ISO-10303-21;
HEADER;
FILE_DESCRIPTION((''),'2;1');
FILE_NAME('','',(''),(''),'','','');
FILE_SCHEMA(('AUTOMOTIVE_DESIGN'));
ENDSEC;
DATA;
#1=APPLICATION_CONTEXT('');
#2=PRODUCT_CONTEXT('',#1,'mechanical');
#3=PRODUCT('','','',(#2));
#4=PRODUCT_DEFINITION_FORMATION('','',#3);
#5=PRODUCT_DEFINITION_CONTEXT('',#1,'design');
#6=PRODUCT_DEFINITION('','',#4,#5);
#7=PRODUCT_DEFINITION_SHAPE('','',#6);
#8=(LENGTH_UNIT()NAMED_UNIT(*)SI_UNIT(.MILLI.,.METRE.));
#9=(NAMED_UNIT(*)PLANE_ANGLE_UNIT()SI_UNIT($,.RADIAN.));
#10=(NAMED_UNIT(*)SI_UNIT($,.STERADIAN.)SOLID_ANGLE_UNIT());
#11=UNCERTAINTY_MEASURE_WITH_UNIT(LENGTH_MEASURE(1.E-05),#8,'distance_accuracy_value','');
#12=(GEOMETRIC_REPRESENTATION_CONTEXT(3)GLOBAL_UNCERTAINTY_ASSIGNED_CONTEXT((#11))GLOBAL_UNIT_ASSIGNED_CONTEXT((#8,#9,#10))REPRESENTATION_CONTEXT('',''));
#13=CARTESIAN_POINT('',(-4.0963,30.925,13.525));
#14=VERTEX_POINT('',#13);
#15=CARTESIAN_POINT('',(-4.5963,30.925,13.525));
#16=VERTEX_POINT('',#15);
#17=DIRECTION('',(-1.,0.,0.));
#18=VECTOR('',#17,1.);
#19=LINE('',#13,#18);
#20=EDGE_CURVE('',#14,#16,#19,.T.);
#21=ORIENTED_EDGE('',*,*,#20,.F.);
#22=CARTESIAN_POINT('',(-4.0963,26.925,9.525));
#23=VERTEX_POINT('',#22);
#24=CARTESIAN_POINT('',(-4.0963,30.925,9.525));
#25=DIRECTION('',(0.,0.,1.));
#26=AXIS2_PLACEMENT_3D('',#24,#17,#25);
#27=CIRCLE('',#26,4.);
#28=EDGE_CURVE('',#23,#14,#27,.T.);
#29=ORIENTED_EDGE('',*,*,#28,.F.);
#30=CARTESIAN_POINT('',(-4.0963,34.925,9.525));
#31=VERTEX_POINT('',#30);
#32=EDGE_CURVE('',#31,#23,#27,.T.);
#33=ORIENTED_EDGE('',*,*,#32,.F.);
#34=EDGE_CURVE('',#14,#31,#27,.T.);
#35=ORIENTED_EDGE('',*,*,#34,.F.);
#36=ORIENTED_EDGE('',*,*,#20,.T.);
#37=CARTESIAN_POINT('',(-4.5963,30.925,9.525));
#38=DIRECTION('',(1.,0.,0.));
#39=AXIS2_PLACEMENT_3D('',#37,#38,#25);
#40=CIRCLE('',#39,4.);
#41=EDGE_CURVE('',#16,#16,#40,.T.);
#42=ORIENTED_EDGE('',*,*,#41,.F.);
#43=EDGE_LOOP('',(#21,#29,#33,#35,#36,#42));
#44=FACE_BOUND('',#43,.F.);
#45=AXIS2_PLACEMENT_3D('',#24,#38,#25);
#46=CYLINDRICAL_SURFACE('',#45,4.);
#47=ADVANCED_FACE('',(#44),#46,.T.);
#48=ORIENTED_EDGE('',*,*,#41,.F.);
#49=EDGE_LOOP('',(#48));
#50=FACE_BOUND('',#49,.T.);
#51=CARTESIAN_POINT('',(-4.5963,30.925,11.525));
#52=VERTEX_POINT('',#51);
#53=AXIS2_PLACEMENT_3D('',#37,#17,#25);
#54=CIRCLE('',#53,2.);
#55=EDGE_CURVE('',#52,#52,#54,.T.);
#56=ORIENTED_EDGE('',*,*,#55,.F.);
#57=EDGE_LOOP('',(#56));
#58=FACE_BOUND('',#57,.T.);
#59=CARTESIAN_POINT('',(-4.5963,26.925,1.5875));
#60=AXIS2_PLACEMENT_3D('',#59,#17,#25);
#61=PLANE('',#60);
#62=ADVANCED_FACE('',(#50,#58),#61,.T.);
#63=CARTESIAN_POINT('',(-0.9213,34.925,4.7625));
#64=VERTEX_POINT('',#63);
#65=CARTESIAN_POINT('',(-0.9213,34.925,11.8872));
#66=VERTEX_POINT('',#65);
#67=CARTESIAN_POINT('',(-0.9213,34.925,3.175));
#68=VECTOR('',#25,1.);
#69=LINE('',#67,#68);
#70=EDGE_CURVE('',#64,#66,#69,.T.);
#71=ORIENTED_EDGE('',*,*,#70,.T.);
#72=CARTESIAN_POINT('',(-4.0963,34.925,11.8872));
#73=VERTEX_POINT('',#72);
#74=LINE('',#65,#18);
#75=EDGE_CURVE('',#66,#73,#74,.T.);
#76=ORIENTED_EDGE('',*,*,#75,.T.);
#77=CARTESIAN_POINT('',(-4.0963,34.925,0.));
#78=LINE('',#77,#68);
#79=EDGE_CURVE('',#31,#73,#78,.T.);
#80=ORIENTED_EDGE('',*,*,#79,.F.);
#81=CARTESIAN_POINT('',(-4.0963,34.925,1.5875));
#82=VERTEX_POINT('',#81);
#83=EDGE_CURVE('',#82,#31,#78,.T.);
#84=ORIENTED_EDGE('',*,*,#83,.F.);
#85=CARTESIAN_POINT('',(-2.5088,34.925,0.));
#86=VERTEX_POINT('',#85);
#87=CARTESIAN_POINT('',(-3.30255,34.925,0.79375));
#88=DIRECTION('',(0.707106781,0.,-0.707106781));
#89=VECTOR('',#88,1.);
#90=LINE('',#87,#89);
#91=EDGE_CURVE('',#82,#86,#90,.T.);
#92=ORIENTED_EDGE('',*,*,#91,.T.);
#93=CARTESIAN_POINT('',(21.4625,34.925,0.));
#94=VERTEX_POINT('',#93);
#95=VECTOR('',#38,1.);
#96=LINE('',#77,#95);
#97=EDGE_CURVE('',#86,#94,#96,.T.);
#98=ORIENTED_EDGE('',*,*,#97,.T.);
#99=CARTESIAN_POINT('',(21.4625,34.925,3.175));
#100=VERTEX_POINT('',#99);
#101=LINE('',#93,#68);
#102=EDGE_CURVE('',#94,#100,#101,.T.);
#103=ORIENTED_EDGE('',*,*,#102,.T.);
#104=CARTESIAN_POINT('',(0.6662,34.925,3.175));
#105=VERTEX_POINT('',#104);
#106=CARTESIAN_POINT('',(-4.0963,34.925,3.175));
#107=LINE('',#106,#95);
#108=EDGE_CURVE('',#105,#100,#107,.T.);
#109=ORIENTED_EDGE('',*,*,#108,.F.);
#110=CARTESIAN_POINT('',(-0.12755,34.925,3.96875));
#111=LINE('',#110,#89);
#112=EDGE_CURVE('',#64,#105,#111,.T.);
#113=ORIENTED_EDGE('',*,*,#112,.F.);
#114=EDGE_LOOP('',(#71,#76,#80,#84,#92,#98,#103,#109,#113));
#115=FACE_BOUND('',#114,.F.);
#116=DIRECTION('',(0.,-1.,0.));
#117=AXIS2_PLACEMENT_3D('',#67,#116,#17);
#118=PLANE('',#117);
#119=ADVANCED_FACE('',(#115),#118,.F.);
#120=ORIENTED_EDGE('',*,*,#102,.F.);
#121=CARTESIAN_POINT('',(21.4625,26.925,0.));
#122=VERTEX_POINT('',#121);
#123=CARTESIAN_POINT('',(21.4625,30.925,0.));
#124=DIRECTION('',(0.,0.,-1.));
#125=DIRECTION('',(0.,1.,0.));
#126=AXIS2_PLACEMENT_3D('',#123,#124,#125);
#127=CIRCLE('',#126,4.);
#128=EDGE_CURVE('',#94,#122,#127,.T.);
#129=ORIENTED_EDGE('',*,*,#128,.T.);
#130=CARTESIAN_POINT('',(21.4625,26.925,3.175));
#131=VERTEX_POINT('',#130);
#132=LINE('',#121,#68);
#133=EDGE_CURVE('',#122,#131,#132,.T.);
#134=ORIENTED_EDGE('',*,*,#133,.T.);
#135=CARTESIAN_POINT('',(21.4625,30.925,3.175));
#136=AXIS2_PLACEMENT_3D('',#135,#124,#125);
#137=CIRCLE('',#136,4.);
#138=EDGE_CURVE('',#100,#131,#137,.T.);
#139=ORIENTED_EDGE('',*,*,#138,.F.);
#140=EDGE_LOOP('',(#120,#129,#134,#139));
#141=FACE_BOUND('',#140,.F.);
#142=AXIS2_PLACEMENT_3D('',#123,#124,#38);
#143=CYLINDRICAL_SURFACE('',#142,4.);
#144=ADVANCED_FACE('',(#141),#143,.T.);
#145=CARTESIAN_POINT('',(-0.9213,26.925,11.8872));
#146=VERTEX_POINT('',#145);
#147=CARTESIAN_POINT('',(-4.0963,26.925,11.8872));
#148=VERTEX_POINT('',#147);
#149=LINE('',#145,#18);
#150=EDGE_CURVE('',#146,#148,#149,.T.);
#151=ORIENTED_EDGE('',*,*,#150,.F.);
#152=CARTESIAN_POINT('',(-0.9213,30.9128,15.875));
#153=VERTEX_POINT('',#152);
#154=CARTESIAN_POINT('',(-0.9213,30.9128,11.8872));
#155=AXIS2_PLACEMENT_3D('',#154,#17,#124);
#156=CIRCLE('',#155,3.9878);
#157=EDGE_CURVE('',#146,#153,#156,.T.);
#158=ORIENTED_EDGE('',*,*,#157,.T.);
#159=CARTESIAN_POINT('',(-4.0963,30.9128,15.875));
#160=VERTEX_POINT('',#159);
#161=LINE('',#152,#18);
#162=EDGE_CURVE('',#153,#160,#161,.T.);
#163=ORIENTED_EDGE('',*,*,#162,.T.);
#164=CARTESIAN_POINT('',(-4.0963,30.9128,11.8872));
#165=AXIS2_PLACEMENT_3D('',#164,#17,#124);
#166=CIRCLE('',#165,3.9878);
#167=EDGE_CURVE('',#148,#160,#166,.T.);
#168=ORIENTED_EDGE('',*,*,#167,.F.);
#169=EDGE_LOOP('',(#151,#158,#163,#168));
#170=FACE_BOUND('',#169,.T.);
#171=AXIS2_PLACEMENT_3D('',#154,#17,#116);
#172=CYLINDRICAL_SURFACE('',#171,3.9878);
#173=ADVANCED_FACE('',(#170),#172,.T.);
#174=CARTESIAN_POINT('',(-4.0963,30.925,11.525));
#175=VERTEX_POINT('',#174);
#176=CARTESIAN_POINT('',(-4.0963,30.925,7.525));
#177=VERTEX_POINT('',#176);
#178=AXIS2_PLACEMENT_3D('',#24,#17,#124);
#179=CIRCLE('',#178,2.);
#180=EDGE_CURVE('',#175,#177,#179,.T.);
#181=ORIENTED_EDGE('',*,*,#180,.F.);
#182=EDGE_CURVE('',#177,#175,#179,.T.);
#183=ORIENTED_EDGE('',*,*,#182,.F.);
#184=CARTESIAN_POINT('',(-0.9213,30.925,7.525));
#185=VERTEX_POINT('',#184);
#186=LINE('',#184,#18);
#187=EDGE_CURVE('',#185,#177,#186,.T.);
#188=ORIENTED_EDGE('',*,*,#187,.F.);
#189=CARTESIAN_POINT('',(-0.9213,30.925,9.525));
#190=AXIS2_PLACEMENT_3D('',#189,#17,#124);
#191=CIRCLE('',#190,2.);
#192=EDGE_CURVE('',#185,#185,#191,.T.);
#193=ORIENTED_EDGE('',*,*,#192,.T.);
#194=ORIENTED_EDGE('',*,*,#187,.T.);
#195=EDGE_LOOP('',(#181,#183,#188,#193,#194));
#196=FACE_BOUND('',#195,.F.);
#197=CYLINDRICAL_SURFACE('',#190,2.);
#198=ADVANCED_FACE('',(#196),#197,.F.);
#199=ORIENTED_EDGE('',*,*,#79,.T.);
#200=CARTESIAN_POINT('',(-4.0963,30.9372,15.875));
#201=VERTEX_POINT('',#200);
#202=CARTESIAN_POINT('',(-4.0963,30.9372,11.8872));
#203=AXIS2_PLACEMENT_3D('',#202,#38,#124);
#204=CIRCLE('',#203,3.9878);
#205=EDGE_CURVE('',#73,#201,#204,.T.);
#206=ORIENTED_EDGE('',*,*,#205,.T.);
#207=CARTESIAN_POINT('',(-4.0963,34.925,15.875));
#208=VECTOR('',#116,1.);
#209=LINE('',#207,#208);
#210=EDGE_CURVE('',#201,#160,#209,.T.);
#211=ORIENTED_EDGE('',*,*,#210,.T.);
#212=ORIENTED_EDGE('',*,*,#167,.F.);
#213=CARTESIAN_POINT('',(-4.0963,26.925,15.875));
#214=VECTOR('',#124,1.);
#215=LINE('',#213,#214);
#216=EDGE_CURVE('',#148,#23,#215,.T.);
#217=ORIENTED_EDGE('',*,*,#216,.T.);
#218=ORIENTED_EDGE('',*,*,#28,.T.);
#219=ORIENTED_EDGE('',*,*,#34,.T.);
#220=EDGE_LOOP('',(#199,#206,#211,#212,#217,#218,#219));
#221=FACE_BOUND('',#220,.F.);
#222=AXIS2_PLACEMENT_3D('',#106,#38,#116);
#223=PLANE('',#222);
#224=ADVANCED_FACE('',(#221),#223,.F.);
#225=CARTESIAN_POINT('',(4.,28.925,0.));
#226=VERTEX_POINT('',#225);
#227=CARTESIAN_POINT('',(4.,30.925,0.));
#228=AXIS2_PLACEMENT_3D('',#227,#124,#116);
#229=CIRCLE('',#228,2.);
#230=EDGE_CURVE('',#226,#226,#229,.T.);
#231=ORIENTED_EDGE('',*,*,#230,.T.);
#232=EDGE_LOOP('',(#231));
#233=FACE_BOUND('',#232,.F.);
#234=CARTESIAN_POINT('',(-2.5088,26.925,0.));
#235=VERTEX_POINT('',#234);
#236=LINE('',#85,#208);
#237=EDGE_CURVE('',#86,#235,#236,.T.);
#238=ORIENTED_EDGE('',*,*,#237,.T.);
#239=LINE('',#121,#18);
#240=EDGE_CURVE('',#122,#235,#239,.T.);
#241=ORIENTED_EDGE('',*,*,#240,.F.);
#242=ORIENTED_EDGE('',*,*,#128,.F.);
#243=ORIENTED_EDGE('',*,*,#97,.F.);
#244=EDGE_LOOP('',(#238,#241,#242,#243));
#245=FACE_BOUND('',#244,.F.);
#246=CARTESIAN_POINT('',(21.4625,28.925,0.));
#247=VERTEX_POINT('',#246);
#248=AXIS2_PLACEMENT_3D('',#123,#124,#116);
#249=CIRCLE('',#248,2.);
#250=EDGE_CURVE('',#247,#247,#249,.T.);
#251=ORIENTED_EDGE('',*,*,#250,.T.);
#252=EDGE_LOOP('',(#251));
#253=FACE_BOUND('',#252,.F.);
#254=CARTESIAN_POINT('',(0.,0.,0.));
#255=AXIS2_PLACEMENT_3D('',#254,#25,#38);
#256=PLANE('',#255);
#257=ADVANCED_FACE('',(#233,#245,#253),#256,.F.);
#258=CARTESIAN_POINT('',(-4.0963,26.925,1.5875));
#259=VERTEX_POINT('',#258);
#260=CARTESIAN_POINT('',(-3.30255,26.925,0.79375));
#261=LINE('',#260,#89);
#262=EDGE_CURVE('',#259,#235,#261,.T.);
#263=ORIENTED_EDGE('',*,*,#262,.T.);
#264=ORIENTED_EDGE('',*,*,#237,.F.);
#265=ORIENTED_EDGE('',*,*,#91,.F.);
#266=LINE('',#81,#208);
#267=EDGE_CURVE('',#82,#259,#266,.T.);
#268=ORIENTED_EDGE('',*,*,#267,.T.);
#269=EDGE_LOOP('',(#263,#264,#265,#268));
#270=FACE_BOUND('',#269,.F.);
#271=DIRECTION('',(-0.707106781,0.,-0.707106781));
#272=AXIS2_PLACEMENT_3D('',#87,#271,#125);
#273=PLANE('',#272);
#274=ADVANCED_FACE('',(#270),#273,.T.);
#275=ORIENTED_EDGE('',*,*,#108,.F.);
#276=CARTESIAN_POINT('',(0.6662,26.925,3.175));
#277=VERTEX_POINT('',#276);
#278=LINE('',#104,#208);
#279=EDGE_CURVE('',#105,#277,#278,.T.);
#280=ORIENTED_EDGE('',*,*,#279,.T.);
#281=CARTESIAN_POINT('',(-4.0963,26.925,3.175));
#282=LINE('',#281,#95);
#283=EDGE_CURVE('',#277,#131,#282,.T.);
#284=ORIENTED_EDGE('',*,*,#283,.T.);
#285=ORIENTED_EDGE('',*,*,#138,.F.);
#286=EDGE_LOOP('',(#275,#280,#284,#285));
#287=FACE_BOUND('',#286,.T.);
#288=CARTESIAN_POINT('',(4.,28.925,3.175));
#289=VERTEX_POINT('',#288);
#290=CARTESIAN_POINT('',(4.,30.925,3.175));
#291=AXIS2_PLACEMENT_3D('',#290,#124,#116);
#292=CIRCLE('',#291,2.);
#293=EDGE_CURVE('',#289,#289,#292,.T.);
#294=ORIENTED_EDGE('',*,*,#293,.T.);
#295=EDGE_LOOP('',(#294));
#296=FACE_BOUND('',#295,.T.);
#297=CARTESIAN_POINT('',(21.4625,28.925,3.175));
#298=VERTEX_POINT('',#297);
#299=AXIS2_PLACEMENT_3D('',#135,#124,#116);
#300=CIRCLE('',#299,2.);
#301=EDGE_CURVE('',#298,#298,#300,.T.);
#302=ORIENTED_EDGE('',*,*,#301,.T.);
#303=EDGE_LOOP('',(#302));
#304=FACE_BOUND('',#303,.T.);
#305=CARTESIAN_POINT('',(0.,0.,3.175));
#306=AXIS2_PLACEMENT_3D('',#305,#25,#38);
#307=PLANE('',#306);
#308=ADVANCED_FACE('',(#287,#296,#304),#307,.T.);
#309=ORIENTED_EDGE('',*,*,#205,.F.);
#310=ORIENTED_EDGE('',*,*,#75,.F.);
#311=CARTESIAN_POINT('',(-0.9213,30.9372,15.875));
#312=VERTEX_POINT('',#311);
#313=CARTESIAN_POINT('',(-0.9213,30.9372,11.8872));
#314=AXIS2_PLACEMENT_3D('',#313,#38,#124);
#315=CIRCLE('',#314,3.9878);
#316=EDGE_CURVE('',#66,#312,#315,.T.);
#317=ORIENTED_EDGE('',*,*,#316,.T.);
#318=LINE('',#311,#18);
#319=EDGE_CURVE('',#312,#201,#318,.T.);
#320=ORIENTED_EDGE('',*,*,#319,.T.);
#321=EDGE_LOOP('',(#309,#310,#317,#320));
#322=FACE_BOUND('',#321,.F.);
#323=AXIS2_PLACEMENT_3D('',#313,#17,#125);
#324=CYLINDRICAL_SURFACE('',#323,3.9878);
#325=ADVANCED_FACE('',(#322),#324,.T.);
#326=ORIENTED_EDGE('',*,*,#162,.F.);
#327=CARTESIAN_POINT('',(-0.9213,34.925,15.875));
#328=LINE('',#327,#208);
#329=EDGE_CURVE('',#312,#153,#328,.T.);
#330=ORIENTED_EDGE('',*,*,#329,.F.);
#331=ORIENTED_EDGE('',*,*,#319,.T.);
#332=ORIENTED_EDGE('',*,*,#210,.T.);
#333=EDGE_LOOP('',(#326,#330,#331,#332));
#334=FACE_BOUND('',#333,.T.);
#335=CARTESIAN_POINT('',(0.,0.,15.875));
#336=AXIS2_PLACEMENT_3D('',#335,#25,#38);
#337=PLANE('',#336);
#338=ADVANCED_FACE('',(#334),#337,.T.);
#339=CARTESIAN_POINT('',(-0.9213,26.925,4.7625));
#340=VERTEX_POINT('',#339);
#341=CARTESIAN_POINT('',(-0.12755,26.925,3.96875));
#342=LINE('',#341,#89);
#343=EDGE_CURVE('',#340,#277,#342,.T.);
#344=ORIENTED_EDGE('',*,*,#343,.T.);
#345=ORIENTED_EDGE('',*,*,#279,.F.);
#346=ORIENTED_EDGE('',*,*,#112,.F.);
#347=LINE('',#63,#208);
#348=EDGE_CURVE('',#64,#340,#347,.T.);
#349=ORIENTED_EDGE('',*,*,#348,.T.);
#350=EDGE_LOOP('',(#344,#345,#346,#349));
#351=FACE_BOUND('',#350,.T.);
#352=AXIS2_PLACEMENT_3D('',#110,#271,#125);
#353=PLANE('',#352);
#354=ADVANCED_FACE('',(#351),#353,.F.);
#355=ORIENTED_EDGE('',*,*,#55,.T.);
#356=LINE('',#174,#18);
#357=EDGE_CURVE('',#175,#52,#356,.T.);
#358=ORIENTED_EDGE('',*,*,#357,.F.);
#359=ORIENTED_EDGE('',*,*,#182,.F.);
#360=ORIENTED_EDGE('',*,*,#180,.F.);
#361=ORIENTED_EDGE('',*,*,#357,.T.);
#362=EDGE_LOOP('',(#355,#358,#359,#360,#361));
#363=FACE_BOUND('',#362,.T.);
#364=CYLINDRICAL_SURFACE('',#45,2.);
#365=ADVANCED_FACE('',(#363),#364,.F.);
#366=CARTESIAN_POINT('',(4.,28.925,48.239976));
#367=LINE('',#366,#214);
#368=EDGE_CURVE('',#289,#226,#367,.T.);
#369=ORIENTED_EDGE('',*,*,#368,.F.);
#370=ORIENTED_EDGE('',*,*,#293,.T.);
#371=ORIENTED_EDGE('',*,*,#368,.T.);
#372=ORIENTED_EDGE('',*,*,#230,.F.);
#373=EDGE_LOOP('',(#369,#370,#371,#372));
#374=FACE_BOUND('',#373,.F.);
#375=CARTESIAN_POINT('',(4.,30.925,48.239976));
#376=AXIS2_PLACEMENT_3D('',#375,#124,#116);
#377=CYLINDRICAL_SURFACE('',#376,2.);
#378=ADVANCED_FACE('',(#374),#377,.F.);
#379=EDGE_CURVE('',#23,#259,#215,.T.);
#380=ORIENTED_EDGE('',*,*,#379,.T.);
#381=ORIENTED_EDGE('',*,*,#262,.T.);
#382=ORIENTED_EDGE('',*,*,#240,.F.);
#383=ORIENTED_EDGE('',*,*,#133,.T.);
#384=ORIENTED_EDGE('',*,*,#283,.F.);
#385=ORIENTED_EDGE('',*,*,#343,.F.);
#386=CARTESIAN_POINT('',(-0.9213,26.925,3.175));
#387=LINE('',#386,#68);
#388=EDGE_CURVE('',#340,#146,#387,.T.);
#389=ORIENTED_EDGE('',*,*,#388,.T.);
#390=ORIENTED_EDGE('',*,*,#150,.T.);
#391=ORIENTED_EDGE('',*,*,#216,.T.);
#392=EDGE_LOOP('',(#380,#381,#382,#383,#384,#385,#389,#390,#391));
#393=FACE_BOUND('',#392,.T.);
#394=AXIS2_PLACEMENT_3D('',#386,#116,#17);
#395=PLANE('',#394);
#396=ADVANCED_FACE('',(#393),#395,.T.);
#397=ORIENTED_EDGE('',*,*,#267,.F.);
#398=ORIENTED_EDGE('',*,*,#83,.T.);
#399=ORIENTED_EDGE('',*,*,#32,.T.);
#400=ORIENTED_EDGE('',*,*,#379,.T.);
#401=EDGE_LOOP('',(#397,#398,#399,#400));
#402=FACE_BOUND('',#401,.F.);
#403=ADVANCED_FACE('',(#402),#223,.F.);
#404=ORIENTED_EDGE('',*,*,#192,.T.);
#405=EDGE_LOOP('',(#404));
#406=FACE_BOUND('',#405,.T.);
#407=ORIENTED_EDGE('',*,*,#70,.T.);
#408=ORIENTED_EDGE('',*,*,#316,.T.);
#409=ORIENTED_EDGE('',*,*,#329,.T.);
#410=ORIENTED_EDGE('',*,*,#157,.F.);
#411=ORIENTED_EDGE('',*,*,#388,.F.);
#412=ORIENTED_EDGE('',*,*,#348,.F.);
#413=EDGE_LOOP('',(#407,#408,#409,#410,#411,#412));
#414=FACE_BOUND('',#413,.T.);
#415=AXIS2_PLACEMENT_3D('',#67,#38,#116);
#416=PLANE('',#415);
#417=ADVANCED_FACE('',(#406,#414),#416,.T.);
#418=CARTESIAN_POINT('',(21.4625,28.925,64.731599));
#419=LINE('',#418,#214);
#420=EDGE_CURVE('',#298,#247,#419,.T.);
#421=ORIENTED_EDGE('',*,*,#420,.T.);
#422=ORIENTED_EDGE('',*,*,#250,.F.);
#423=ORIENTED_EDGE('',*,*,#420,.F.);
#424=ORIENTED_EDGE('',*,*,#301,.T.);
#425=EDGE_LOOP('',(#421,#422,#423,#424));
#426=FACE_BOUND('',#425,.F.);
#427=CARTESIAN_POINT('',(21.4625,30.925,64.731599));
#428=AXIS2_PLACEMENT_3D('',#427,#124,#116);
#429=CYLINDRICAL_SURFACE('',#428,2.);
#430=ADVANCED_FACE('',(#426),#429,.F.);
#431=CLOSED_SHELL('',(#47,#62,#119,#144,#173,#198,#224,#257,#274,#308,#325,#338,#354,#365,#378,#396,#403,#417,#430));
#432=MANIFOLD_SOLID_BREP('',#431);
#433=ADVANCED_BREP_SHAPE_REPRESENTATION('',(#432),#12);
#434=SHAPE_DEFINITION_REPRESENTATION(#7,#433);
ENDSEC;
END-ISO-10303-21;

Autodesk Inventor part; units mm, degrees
ref_plane "YZ Plane" through (0, 0, 0) normal (1, 0, 0) x (0, 1, 0)
ref_plane "XZ Plane" through (0, 0, 0) normal (0, 1, 0) x (-1, 0, 0)
ref_plane "XY Plane" through (0, 0, 0) normal (0, 0, 1) x (1, 0, 0)
ref_plane "Work Plane1" through (0, 0, 0) normal (0, 0, 1) x (1, 0, 0)
sketch "Sketch1" plane through (0, 0, 0) normal (0, 0, 1) x (1, 0, 0)
  circle A0 centre (21.4625, 30.925) radius 2 projected
  line L0 (0, 34.925) -> (25.4, 34.925) projected
  line L1 (0, 0) -> (0, 34.925) projected
  line L2 (0, 0) -> (2.54, 0) projected
  arc A1 (2.54, 0) -> (24.765, 0) centre (13.6525, 6.1484) ccw projected
  line L3 (24.765, 0) -> (24.765, 25.2044) projected
  arc A2 (24.765, 25.2044) -> (26.5659, 26.7312) centre (21.4625, 30.925) ccw projected
  spline S0 degree 3 poles (25.4, 34.925) (25.7861, 32.1988) (26.1753, 29.4627) (26.5659, 26.7312) knots -1.120112 -1.120112 -1.120112 -1.120112 -0.293842 -0.293842 -0.293842 -0.293842 projected
  circle A3 centre (4, 30.925) radius 2 projected
  circle A4 centre (21.4625, 30.925) radius 2
  circle A5 centre (21.4625, 30.925) radius 4
  circle A6 centre (4, 30.925) radius 2
  circle A7 centre (4, 30.925) radius 4
  line L4 (21.4625, 34.925) -> (4, 34.925)
  line L5 (4, 34.925) -> (4, 26.925)
  line L6 (4, 26.925) -> (21.4625, 26.925)
  line L7 (21.4625, 26.925) -> (21.4625, 34.925)
  line L8 (-4.0963, 34.925) -> (-4.0963, 26.925)
  line L9 (4, 34.925) -> (-4.0963, 34.925)
  line L10 (4, 26.925) -> (-4.0963, 26.925)
  line L11 (-4.0963, 34.925) -> (-0.9213, 34.925)
  line L12 (-0.9213, 34.925) -> (-0.9213, 26.925)
  line L13 (-0.9213, 26.925) -> (-4.0963, 26.925)
  line L14 (-4.0963, 26.925) -> (-4.0963, 34.925)
  circle A8 centre (12.7313, 10.2875) radius 7.9375 projected
  point P0 (-20.6063, 34.925)
  dimension "d0" = 16.51
  dimension "d1" = 3.175
  dimension "d2" = 8
extrude "Extrusion1" add sketch "Sketch1" along normal blind 3.175 contours A0 L7 | A0 L7 A5 | L7 A0 | A0 L7 A5 | A5 L6 A7 L0 | A7 L1 L0 | L5 A3 A7 | A7 L5 A3 | L10 L1 A7 | L1 L10 L12 L9 | L5 A3 | A3 L5 | L12 L10 L8 L9
sketch "Sketch2" plane through (0, 0, 3.175) normal (0, 0, 1) x (1, 0, 0)
  line L0 (-0.9213, 34.925) -> (-0.9213, 26.925) projected
  line L1 (-4.0963, 34.925) -> (-4.0963, 26.925) projected
  line L2 (4, 26.925) -> (-4.0963, 26.925) projected
  line L3 (4, 34.925) -> (-4.0963, 34.925) projected
  point P0 (0, 0)
extrude "Extrusion2" add sketch "Sketch2" along normal blind 12.7
fillet "Fillet1" radius 3.9878 2 edges at (-2.5088, 34.925, 15.875) (-2.5088, 26.925, 15.875)
sketch "Sketch3" plane through (-0.9213, 26.925, 3.175) normal (1, 0, 0) x (0, 0, -1)
  line L0 (0, 8) -> (0, 0) projected
  point P0 (3.175, -26.925)
  point P1 (-6.35, 4)
  point P2 (0, 4)
  point P3 (0, 4)
  dimension "d8" = 6.35
hole "Hole1" at (-0.9213, 30.925, 9.525) direction (-1, 0, 0) diameter 4 end through all
sketch "Sketch6" plane through (0, 0, 3.175) normal (0, 0, 1) x (1, 0, 0)
  circle A0 centre (21.4625, 30.925) radius 2 projected
  line L0 (0, 34.925) -> (25.4, 34.925) projected
  line L1 (0, 0) -> (0, 34.925) projected
  line L2 (0, 0) -> (2.54, 0) projected
  arc A1 (2.54, 0) -> (24.765, 0) centre (13.6525, 6.1484) ccw projected
  line L3 (24.765, 0) -> (24.765, 25.2044) projected
  arc A2 (24.765, 25.2044) -> (26.5659, 26.7312) centre (21.4625, 30.925) ccw projected
  spline S0 degree 3 poles (25.4, 34.925) (25.7861, 32.1988) (26.1753, 29.4627) (26.5659, 26.7312) knots -1.120112 -1.120112 -1.120112 -1.120112 -0.293842 -0.293842 -0.293842 -0.293842 projected
  circle A3 centre (4, 30.925) radius 2 projected
  circle A4 centre (12.7313, 10.2875) radius 7.9375 projected
  point P0 (21.4625, 30.925)
  point P1 (4, 30.925)
hole "Hole2" at (21.4625, 30.925, 3.175) at (4, 30.925, 3.175) direction (0, 0, -1) diameter 4 end through all both
chamfer "Chamfer5" distance 1.5875 angle 45 1 edges at (-0.9213, 30.925, 3.175)
chamfer "Chamfer6" distance 1.5875 angle 45 1 edges at (-4.0963, 30.925, 0)
sketch "Sketch7" plane through (-4.0963, 26.925, 1.5875) normal (-1, 0, 0) x (0, 0, 1)
  circle A0 centre (7.9375, 4) radius 2 projected
  circle A1 centre (7.9375, 4) radius 4
  line L0 (3.175, 8) -> (10.2997, 8) projected
  point P0 (-1.5875, -26.925)
extrude "Extrusion5" add sketch "Sketch7" along normal blind 0.5
properties part number "Sensor Mount"
